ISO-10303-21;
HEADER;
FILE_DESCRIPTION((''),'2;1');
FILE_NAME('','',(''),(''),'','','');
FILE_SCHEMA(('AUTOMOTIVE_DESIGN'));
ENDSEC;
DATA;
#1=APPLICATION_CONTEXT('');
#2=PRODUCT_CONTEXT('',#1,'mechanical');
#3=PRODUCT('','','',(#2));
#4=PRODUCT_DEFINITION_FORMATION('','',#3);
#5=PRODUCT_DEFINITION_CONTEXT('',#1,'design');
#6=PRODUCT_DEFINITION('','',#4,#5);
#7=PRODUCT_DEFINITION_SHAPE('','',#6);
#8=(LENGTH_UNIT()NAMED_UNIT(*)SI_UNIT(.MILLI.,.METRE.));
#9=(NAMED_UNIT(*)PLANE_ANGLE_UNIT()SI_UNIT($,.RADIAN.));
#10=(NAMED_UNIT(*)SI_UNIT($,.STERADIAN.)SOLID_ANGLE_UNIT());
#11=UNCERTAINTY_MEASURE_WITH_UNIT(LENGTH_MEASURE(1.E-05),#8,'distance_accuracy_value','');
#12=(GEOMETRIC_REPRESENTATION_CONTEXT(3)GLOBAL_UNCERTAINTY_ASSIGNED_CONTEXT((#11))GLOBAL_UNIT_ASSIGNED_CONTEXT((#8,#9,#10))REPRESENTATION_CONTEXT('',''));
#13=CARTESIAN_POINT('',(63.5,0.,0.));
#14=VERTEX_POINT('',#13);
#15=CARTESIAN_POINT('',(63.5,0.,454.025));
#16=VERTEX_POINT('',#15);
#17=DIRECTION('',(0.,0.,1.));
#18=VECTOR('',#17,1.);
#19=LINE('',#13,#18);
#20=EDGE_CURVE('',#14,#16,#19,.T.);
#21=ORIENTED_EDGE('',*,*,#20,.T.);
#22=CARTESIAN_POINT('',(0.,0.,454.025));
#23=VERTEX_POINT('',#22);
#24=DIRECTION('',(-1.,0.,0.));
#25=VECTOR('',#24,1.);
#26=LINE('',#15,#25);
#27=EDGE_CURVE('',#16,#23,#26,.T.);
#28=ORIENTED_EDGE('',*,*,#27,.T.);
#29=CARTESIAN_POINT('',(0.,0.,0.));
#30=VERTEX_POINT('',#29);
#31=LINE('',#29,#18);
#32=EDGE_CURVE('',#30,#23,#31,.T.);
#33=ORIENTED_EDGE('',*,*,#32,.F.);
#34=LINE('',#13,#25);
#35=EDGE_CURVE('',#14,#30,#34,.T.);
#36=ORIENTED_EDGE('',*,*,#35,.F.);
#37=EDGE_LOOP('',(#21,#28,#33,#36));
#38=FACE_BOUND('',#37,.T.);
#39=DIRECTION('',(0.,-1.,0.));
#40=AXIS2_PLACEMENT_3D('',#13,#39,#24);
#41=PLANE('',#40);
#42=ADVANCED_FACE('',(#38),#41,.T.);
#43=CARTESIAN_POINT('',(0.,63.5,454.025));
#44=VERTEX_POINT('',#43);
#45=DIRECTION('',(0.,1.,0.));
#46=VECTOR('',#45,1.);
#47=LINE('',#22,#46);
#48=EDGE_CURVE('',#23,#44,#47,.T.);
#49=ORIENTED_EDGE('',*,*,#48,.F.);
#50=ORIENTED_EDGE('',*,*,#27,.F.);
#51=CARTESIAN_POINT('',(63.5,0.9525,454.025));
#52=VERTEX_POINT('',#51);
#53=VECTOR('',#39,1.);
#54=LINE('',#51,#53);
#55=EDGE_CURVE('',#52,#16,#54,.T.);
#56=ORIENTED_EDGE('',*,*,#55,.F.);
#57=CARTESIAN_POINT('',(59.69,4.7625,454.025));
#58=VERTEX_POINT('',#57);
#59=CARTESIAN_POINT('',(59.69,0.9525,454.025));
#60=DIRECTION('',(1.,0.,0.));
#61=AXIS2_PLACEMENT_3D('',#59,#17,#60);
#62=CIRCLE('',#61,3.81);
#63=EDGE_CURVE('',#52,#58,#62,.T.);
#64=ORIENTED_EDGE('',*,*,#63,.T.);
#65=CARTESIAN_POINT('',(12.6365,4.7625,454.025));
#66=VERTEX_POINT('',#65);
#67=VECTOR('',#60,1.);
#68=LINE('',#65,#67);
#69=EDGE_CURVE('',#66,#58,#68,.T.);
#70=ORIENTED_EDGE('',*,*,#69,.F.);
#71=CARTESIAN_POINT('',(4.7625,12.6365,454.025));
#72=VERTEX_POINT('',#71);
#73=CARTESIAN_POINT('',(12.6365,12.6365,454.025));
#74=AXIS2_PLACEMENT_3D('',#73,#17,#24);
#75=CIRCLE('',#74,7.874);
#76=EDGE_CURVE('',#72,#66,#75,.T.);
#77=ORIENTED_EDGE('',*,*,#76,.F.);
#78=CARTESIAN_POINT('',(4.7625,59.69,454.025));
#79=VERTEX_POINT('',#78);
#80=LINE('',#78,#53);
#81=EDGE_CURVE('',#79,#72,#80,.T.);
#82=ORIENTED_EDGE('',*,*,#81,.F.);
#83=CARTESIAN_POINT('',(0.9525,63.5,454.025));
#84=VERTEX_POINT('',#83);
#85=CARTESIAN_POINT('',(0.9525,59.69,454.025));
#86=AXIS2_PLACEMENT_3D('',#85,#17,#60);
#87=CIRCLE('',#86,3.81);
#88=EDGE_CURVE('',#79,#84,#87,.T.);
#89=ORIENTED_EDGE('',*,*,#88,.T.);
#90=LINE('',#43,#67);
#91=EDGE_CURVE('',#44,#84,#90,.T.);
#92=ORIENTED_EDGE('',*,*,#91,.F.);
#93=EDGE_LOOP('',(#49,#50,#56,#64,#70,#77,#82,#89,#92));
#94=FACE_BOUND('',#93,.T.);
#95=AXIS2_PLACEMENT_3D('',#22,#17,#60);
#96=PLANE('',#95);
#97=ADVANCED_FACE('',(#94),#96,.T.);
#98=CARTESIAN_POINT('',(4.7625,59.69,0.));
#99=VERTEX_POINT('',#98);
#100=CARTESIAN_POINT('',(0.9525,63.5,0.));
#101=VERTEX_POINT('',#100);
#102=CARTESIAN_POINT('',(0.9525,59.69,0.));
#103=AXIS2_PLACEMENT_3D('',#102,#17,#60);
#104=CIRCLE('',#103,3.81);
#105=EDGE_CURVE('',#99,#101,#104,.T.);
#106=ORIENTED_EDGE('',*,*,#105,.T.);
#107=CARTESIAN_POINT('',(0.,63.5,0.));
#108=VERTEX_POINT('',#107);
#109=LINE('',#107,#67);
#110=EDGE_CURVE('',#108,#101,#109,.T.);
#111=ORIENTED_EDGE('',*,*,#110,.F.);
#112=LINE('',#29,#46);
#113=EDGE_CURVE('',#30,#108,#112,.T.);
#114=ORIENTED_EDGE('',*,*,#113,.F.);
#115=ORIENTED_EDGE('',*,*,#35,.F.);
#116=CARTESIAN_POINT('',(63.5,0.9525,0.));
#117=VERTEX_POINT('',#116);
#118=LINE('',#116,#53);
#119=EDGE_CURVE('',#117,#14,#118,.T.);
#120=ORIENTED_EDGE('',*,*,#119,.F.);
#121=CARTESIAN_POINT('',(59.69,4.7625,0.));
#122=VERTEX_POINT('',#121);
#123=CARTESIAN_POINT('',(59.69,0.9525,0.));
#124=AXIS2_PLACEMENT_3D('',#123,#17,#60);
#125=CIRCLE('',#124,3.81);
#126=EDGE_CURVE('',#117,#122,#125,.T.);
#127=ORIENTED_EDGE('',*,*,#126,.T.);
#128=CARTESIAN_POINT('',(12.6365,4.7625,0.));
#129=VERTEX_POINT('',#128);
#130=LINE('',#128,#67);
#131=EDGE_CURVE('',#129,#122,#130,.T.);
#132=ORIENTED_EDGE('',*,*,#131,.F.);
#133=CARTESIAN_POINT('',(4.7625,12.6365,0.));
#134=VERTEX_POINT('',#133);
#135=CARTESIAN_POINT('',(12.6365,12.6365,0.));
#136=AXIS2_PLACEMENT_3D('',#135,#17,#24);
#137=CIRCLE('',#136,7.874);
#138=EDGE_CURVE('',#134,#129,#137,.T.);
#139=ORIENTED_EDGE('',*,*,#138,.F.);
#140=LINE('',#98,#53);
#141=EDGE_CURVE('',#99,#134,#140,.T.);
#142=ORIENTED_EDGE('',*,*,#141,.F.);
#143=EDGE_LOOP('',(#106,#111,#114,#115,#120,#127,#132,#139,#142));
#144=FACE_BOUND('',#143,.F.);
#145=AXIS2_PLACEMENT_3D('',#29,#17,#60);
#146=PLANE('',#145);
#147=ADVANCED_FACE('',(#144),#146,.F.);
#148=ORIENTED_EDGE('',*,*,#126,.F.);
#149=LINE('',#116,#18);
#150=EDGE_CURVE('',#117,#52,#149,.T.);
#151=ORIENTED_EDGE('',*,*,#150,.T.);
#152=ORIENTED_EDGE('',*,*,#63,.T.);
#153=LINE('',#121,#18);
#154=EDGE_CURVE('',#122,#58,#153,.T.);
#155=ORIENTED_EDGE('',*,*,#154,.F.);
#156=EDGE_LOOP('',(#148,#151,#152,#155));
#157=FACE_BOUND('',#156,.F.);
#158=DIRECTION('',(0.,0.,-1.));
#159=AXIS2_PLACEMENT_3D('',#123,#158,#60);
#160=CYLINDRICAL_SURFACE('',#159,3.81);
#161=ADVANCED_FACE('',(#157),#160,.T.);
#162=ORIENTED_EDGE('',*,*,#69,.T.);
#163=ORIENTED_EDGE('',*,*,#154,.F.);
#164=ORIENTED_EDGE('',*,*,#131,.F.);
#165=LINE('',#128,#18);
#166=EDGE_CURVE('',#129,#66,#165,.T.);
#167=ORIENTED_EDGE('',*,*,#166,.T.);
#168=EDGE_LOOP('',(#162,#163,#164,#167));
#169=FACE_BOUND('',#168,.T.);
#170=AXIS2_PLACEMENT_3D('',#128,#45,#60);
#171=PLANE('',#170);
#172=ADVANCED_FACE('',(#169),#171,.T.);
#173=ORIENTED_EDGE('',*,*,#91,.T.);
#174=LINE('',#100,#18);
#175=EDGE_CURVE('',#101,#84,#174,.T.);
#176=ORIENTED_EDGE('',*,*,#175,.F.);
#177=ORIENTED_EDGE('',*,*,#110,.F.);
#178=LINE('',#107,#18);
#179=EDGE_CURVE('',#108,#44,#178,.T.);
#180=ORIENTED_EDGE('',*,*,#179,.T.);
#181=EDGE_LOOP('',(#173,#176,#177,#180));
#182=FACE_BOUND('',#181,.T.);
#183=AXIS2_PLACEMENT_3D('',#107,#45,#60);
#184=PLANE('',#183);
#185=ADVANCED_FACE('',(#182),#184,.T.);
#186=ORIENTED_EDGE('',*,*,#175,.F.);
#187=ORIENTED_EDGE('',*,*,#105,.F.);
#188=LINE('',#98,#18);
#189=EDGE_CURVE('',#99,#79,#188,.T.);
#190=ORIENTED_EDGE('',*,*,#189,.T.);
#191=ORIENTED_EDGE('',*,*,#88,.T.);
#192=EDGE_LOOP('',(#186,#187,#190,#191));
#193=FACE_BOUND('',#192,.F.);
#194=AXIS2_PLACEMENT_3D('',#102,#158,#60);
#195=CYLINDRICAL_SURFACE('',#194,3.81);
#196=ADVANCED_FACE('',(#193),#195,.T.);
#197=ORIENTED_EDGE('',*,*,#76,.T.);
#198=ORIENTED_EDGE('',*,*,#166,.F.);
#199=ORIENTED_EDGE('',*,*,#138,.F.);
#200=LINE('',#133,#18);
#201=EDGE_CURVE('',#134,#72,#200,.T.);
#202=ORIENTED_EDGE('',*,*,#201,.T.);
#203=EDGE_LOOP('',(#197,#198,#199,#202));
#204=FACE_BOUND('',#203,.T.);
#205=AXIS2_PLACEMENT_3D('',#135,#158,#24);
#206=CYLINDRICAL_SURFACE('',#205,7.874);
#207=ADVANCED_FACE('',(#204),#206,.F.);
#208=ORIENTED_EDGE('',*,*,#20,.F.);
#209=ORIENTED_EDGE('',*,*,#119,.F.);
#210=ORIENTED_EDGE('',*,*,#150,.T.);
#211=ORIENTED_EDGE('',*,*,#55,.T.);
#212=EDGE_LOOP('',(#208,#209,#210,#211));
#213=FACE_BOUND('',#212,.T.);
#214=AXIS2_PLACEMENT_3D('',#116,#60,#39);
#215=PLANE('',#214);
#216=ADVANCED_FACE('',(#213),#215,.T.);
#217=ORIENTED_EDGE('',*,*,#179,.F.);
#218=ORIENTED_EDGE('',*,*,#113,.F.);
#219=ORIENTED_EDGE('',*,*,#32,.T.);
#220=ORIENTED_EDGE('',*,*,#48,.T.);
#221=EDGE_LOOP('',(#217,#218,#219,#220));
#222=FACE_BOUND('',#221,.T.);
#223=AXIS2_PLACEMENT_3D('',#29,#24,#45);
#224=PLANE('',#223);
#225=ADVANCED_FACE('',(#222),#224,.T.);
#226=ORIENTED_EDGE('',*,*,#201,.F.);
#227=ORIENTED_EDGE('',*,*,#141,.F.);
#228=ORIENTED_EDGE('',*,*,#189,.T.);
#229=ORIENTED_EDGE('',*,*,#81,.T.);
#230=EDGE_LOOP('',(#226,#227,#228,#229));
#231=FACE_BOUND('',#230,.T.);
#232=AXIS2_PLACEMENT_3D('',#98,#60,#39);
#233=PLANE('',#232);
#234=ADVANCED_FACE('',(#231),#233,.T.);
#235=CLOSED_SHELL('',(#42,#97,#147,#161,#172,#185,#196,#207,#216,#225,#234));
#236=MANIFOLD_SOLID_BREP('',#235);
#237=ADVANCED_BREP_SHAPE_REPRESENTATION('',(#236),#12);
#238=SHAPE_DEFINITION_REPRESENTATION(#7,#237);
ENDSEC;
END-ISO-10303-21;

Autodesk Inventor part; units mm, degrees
ref_plane "YZ Plane" through (0, 0, 0) normal (1, 0, 0) x (0, 1, 0)
ref_plane "Start plane" through (0, 0, 0) normal (0, 0, 1) x (1, 0, 0)
ref_plane "End plane" through (0, 0, 454.025) normal (0, 0, 1) x (1, 0, 0)
sketch "Sketch" plane through (0, 0, 0) normal (0, 0, 1) x (1, 0, 0)
  line L0 (63.5, 0) -> (0, 0)
  line L1 (0, 0) -> (0, 63.5)
  line L2 (0, 63.5) -> (0.9525, 63.5)
  line L3 (4.7625, 59.69) -> (4.7625, 12.6365)
  line L4 (12.6365, 4.7625) -> (59.69, 4.7625)
  line L5 (63.5, 0.9525) -> (63.5, 0)
  line L6 (0, -11.0414) -> (0, 31.5385) construction
  line L7 (-11.0414, 0) -> (31.5385, 0) construction
  arc A0 (4.7625, 12.6365) -> (12.6365, 4.7625) centre (12.6365, 12.6365) ccw
  arc A1 (4.7625, 59.69) -> (0.9525, 63.5) centre (0.9525, 59.69) ccw
  arc A2 (63.5, 0.9525) -> (59.69, 4.7625) centre (59.69, 0.9525) ccw
  line L8 (0, 79.3552) -> (0, -26.1075) construction
  line L9 (-26.1075, 0) -> (79.3552, 0) construction
  point P0 (4.7625, 63.5)
  point P1 (4.7625, 4.7625)
  point P2 (63.5, 4.7625)
  dimension "d0" = 63.5
  dimension "d1" = 63.5
  dimension "d2" = 4.7625
  dimension "d3" = 4.7625
  dimension "d10" = 0
  dimension "d11" = 0
  dimension "d14" = 7.874
  dimension "d15" = 3.81
extrude "Body" add sketch "Sketch" along normal up to surface (454.025 mm away) from surface at 0
sketch "Sketch3" plane through (0, 0, 0) normal (0, 0, 1) x (1, 0, 0)
  line L0 (0, 0) -> (10, 0)
ref_plane "Work Plane3" through (0, 0, 0) normal (0, -1, 0) x (1, 0, 0)
sketch "Sketch4" plane through (0, 0, 0) normal (0, -1, 0) x (1, 0, 0)
  line L0 (-2, 0) -> (12, 0)
  line L1 (-2, 454.025) -> (12, 454.025)
  dimension "d17" = 454.025
equation "\"d0\" = G_H"
equation "\"d1\" = G_H"
equation "\"d2\" = G_T"
equation "\"d3\" = G_T"
equation "\"d14\" = G_IR"
equation "\"d15\" = G_ER"
equation "\"d4\" = G_L"
equation "\"G_H\" = 63.5"
equation "\"G_T\" = 4.7625"
equation "\"G_ER\" = 3.81"
equation "\"G_IR\" = 7.874"
equation "\"G_L\" = d17"
equation "\"ex\" = 0"
equation "\"G_OFFSET_START\" = 0"
equation "\"G_OFFSET_END\" = 0"
equation "\"d13\" = G_OFFSET_END + B_L"
equation "\"B_L\" = 454.025"
properties part number "ANSI L 2.5 x 2.5 x 3_16 00000002"
